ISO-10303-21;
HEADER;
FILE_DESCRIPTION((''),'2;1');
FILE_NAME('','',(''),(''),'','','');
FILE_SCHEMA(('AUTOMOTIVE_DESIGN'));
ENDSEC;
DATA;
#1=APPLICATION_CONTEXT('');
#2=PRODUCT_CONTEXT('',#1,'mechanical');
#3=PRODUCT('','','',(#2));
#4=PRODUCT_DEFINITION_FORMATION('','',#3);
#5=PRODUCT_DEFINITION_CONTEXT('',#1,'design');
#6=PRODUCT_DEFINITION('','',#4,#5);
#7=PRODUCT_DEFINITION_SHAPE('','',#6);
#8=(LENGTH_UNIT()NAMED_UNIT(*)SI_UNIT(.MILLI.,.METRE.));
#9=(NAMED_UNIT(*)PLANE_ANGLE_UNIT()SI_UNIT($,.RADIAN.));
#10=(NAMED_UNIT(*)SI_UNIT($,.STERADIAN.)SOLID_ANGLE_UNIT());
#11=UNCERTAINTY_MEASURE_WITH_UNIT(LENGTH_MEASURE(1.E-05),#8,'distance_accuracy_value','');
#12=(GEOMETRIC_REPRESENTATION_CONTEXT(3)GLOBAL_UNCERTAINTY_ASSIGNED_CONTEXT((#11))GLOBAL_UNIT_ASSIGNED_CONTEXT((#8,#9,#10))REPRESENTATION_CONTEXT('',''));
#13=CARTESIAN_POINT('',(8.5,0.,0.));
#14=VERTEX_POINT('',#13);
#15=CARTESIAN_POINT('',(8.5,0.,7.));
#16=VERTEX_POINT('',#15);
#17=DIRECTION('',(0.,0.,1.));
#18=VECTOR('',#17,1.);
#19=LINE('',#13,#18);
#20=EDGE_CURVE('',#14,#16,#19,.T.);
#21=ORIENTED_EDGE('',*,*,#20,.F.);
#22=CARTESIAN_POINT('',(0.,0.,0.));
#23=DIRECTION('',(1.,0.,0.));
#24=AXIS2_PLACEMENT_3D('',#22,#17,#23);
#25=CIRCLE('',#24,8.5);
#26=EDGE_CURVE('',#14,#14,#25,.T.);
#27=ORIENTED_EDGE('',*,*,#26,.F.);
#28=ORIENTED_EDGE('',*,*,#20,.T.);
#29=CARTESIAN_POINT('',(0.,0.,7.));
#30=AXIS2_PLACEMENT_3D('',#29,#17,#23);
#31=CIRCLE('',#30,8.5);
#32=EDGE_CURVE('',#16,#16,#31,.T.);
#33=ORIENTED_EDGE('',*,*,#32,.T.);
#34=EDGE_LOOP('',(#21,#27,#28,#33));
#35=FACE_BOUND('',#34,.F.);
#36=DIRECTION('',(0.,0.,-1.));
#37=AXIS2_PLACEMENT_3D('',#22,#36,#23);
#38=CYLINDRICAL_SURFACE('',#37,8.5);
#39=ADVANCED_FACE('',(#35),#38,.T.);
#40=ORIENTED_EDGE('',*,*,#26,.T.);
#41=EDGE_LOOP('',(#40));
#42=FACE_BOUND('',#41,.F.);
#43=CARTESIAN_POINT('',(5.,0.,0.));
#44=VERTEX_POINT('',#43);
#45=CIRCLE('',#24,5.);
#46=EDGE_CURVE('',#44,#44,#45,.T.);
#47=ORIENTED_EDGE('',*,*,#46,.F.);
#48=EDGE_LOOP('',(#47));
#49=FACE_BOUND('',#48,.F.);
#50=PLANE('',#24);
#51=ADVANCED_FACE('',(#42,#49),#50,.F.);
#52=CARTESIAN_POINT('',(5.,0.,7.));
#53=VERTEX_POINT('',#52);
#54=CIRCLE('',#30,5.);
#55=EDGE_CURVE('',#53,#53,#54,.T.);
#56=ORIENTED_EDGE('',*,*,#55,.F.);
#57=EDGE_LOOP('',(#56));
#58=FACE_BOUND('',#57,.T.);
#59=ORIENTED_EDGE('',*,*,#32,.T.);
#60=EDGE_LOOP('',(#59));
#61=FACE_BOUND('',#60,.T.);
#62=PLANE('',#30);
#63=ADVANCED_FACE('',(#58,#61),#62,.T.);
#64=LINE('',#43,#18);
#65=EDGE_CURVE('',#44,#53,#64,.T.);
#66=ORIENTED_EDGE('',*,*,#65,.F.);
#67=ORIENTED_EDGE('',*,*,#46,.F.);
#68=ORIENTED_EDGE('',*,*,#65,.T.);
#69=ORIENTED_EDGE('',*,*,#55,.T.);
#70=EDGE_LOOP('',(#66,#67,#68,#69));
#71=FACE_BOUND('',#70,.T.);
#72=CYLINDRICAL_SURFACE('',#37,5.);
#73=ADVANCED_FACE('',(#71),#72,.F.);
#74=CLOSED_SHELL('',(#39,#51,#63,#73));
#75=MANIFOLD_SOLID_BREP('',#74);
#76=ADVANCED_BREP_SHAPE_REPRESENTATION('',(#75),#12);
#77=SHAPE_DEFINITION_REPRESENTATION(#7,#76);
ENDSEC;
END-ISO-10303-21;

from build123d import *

# Parameters (mm, degrees)
CYLINDER025_R     = 5
CYLINDER025_DEPTH = 7
CYLINDER023_R     = 8.5
CYLINDER023_DEPTH = 7


with BuildPart() as extensionhole:
    # Cylinder025 → Cylinder025 (new body)
    with BuildSketch(Plane.XY):
        Circle(CYLINDER025_R)
    extrude(amount=CYLINDER025_DEPTH)


with BuildPart() as extension:
    # Cylinder023 → Cylinder023 (new body)
    with BuildSketch(Plane.XY):
        Circle(CYLINDER023_R)
    extrude(amount=CYLINDER023_DEPTH)

    # Cut006: cut ExtensionHole
    add(extensionhole.part, mode=Mode.SUBTRACT)


solid = extension.part
